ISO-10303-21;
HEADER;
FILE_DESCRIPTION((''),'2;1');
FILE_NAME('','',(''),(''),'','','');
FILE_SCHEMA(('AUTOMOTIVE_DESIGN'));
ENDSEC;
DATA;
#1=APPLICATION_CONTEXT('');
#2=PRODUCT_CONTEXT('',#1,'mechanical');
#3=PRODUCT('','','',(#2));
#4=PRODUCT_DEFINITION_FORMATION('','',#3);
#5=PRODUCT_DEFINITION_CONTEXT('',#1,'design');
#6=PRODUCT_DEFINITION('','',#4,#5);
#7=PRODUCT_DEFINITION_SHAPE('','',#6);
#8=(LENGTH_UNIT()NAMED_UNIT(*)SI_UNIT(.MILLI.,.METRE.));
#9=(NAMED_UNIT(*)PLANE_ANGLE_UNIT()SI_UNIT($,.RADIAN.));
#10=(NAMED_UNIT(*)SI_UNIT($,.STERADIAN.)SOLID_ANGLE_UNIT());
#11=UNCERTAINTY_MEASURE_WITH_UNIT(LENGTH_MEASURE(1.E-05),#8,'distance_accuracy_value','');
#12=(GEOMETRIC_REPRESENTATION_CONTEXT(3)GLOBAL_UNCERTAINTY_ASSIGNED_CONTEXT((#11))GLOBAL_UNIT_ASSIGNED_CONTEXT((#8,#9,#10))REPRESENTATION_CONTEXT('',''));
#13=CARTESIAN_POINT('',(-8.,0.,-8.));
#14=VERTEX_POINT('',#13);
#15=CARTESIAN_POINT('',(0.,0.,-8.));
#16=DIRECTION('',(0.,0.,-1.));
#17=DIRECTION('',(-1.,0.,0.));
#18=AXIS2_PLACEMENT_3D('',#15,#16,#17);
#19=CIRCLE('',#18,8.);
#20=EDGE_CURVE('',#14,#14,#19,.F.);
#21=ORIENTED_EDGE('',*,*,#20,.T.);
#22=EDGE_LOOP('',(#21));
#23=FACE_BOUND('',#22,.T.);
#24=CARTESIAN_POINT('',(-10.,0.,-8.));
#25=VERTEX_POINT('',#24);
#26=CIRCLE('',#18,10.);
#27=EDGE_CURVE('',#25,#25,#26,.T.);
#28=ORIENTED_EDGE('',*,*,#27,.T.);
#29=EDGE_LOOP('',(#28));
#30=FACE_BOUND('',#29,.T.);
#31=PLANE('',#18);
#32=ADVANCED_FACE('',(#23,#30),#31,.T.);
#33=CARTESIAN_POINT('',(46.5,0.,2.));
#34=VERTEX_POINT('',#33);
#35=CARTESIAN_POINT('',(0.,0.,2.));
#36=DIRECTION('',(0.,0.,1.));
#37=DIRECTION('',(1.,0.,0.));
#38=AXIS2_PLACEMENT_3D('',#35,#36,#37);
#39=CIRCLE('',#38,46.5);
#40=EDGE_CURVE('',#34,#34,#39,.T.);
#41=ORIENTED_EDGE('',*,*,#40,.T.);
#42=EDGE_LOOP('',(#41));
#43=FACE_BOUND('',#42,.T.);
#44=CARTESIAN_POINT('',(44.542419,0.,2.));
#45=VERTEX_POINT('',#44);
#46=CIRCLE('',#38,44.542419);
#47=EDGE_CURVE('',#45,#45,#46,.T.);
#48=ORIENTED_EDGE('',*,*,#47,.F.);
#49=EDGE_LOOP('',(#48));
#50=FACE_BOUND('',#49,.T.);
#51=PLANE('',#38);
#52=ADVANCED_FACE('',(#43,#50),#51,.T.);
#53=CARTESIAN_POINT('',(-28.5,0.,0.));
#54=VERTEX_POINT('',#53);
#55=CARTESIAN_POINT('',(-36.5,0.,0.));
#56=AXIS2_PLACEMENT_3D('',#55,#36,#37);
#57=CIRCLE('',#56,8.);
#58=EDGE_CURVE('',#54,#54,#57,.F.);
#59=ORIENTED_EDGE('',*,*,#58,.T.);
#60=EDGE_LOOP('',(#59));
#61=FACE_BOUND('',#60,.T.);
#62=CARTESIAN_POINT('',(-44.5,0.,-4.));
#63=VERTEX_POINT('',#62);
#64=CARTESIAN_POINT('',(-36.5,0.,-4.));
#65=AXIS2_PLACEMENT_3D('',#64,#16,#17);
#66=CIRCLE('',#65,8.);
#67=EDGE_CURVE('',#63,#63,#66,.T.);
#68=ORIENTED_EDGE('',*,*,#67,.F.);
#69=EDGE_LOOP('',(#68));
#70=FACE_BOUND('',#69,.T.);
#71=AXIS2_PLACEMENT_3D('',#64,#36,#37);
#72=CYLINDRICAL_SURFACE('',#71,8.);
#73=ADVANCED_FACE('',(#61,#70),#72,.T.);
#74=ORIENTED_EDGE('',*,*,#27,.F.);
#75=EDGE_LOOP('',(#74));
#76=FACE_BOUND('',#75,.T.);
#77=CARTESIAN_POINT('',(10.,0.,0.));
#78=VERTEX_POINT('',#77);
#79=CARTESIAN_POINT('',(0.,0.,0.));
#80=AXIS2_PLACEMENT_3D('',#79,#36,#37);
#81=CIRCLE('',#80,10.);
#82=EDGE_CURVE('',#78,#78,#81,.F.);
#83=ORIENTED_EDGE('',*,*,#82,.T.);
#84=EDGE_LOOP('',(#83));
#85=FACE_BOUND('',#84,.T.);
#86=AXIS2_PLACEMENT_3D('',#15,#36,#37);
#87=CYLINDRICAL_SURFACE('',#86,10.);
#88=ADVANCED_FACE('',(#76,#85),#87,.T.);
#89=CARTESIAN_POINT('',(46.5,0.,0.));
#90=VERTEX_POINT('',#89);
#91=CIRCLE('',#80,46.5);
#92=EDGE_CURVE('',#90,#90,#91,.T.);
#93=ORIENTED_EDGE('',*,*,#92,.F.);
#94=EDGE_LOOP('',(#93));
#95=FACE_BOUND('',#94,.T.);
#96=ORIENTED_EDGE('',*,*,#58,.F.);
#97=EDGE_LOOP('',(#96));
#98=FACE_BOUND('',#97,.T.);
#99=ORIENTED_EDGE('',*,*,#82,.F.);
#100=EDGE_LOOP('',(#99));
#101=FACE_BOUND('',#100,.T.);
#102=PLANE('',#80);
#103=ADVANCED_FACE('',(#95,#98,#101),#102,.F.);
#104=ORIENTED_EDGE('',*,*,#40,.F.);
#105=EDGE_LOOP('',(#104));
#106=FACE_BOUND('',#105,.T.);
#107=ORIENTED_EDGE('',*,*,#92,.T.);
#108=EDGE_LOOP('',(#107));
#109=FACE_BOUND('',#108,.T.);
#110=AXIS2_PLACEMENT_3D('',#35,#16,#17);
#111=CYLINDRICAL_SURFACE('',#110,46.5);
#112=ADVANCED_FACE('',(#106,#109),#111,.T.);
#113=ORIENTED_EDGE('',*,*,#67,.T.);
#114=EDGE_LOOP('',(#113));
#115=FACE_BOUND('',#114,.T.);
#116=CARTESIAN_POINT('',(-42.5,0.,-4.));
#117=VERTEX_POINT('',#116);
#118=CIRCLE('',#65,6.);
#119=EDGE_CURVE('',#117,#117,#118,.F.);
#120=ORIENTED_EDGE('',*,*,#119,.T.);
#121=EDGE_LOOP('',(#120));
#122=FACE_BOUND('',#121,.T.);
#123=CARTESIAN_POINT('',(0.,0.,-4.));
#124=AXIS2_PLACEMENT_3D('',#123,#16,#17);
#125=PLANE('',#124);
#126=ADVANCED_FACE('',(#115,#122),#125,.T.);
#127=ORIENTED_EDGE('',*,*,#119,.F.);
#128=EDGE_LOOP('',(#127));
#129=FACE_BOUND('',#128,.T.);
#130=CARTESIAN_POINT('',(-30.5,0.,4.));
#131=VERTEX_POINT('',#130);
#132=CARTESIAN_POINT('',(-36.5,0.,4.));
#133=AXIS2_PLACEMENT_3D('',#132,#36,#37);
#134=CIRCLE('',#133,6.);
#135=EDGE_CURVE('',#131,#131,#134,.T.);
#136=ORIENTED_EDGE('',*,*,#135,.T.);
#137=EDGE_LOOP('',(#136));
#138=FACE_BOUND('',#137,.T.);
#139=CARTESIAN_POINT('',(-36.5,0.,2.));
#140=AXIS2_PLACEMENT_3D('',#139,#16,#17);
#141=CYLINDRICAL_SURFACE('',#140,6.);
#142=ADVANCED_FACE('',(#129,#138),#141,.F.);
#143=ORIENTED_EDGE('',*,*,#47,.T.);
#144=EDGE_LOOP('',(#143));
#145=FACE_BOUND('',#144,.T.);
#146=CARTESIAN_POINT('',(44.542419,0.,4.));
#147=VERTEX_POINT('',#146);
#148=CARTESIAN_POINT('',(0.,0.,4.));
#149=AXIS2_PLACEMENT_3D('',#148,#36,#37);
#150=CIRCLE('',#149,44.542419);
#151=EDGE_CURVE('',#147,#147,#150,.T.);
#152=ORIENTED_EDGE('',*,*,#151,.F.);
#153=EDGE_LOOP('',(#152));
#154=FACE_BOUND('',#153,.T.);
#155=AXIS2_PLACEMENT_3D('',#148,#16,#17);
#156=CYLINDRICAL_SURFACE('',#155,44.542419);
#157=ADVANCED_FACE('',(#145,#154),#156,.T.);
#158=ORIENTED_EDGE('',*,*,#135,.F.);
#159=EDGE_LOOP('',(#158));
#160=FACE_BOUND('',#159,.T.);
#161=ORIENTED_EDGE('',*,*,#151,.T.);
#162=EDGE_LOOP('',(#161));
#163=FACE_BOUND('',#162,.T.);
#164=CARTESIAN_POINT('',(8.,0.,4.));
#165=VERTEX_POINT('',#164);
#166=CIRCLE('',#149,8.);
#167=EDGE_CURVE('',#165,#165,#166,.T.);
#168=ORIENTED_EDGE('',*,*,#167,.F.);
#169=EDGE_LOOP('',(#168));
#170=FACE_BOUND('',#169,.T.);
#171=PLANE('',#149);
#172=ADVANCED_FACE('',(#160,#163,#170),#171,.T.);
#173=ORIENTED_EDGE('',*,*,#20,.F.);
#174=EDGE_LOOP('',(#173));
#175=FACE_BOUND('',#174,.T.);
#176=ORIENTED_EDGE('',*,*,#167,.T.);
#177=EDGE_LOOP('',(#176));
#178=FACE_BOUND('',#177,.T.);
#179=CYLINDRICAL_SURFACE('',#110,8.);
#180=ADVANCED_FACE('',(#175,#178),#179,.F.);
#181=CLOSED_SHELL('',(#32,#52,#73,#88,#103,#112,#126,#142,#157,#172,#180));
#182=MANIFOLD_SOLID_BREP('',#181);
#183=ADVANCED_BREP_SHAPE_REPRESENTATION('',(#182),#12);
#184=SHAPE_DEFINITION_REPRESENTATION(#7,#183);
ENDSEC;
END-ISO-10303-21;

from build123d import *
from build123d.topology import SkipClean

# Parameters (mm, degrees)
SKETCH7_R            = 46.5
SKETCH7_R_2          = 8
SKETCH7_R_3          = 6
BOSS_EXTRUDE9_DEPTH  = 2
SKETCH8_R            = 44.542418889
SKETCH8_R_2          = 8
SKETCH8_R_3          = 6
BOSS_EXTRUDE10_DEPTH = 2
BOSS_EXTRUDE11_START = 8
SKETCH9_R            = 10
SKETCH9_R_2          = 8
BOSS_EXTRUDE11_DEPTH = 8
BOSS_EXTRUDE12_START = 4
SKETCH9_3_R          = 8
SKETCH9_3_R_2        = 6
BOSS_EXTRUDE12_DEPTH = 4


with BuildPart() as part:
    # Sketch7 → Boss-Extrude9 (new body)
    with BuildSketch(Plane.XY):
        Circle(SKETCH7_R)
        Circle(SKETCH7_R_2, mode=Mode.SUBTRACT)
        with Locations((-36.5, 0)):
            Circle(SKETCH7_R_3, mode=Mode.SUBTRACT)
    extrude(amount=BOSS_EXTRUDE9_DEPTH)

    # Sketch8 → Boss-Extrude10 (add)
    with BuildSketch(Plane.XY.offset(2)):
        Circle(SKETCH8_R)
        Circle(SKETCH8_R_2, mode=Mode.SUBTRACT)
        with Locations((-36.5, 0)):
            Circle(SKETCH8_R_3, mode=Mode.SUBTRACT)
    extrude(amount=BOSS_EXTRUDE10_DEPTH)

    # Sketch9 → Boss-Extrude11 (add)
    with SkipClean():  # the faces are left unmerged after this step: merging them gives an invalid solid
        with BuildSketch(Plane(origin=(0, 0, 0), x_dir=(-1, 0, 0), z_dir=(0, 0, -1)).offset(BOSS_EXTRUDE11_START)):
            Circle(SKETCH9_R)
            Circle(SKETCH9_R_2, mode=Mode.SUBTRACT)
        extrude(amount=-BOSS_EXTRUDE11_DEPTH)

    # Sketch9<3> → Boss-Extrude12 (add)
    with BuildSketch(Plane(origin=(0, 0, 0), x_dir=(-1, 0, 0), z_dir=(0, 0, -1)).offset(BOSS_EXTRUDE12_START)):
        with Locations((36.5, 0)):
            Circle(SKETCH9_3_R)
        with Locations((36.5, 0)):
            Circle(SKETCH9_3_R_2, mode=Mode.SUBTRACT)
    extrude(amount=-BOSS_EXTRUDE12_DEPTH)


solid = part.part
